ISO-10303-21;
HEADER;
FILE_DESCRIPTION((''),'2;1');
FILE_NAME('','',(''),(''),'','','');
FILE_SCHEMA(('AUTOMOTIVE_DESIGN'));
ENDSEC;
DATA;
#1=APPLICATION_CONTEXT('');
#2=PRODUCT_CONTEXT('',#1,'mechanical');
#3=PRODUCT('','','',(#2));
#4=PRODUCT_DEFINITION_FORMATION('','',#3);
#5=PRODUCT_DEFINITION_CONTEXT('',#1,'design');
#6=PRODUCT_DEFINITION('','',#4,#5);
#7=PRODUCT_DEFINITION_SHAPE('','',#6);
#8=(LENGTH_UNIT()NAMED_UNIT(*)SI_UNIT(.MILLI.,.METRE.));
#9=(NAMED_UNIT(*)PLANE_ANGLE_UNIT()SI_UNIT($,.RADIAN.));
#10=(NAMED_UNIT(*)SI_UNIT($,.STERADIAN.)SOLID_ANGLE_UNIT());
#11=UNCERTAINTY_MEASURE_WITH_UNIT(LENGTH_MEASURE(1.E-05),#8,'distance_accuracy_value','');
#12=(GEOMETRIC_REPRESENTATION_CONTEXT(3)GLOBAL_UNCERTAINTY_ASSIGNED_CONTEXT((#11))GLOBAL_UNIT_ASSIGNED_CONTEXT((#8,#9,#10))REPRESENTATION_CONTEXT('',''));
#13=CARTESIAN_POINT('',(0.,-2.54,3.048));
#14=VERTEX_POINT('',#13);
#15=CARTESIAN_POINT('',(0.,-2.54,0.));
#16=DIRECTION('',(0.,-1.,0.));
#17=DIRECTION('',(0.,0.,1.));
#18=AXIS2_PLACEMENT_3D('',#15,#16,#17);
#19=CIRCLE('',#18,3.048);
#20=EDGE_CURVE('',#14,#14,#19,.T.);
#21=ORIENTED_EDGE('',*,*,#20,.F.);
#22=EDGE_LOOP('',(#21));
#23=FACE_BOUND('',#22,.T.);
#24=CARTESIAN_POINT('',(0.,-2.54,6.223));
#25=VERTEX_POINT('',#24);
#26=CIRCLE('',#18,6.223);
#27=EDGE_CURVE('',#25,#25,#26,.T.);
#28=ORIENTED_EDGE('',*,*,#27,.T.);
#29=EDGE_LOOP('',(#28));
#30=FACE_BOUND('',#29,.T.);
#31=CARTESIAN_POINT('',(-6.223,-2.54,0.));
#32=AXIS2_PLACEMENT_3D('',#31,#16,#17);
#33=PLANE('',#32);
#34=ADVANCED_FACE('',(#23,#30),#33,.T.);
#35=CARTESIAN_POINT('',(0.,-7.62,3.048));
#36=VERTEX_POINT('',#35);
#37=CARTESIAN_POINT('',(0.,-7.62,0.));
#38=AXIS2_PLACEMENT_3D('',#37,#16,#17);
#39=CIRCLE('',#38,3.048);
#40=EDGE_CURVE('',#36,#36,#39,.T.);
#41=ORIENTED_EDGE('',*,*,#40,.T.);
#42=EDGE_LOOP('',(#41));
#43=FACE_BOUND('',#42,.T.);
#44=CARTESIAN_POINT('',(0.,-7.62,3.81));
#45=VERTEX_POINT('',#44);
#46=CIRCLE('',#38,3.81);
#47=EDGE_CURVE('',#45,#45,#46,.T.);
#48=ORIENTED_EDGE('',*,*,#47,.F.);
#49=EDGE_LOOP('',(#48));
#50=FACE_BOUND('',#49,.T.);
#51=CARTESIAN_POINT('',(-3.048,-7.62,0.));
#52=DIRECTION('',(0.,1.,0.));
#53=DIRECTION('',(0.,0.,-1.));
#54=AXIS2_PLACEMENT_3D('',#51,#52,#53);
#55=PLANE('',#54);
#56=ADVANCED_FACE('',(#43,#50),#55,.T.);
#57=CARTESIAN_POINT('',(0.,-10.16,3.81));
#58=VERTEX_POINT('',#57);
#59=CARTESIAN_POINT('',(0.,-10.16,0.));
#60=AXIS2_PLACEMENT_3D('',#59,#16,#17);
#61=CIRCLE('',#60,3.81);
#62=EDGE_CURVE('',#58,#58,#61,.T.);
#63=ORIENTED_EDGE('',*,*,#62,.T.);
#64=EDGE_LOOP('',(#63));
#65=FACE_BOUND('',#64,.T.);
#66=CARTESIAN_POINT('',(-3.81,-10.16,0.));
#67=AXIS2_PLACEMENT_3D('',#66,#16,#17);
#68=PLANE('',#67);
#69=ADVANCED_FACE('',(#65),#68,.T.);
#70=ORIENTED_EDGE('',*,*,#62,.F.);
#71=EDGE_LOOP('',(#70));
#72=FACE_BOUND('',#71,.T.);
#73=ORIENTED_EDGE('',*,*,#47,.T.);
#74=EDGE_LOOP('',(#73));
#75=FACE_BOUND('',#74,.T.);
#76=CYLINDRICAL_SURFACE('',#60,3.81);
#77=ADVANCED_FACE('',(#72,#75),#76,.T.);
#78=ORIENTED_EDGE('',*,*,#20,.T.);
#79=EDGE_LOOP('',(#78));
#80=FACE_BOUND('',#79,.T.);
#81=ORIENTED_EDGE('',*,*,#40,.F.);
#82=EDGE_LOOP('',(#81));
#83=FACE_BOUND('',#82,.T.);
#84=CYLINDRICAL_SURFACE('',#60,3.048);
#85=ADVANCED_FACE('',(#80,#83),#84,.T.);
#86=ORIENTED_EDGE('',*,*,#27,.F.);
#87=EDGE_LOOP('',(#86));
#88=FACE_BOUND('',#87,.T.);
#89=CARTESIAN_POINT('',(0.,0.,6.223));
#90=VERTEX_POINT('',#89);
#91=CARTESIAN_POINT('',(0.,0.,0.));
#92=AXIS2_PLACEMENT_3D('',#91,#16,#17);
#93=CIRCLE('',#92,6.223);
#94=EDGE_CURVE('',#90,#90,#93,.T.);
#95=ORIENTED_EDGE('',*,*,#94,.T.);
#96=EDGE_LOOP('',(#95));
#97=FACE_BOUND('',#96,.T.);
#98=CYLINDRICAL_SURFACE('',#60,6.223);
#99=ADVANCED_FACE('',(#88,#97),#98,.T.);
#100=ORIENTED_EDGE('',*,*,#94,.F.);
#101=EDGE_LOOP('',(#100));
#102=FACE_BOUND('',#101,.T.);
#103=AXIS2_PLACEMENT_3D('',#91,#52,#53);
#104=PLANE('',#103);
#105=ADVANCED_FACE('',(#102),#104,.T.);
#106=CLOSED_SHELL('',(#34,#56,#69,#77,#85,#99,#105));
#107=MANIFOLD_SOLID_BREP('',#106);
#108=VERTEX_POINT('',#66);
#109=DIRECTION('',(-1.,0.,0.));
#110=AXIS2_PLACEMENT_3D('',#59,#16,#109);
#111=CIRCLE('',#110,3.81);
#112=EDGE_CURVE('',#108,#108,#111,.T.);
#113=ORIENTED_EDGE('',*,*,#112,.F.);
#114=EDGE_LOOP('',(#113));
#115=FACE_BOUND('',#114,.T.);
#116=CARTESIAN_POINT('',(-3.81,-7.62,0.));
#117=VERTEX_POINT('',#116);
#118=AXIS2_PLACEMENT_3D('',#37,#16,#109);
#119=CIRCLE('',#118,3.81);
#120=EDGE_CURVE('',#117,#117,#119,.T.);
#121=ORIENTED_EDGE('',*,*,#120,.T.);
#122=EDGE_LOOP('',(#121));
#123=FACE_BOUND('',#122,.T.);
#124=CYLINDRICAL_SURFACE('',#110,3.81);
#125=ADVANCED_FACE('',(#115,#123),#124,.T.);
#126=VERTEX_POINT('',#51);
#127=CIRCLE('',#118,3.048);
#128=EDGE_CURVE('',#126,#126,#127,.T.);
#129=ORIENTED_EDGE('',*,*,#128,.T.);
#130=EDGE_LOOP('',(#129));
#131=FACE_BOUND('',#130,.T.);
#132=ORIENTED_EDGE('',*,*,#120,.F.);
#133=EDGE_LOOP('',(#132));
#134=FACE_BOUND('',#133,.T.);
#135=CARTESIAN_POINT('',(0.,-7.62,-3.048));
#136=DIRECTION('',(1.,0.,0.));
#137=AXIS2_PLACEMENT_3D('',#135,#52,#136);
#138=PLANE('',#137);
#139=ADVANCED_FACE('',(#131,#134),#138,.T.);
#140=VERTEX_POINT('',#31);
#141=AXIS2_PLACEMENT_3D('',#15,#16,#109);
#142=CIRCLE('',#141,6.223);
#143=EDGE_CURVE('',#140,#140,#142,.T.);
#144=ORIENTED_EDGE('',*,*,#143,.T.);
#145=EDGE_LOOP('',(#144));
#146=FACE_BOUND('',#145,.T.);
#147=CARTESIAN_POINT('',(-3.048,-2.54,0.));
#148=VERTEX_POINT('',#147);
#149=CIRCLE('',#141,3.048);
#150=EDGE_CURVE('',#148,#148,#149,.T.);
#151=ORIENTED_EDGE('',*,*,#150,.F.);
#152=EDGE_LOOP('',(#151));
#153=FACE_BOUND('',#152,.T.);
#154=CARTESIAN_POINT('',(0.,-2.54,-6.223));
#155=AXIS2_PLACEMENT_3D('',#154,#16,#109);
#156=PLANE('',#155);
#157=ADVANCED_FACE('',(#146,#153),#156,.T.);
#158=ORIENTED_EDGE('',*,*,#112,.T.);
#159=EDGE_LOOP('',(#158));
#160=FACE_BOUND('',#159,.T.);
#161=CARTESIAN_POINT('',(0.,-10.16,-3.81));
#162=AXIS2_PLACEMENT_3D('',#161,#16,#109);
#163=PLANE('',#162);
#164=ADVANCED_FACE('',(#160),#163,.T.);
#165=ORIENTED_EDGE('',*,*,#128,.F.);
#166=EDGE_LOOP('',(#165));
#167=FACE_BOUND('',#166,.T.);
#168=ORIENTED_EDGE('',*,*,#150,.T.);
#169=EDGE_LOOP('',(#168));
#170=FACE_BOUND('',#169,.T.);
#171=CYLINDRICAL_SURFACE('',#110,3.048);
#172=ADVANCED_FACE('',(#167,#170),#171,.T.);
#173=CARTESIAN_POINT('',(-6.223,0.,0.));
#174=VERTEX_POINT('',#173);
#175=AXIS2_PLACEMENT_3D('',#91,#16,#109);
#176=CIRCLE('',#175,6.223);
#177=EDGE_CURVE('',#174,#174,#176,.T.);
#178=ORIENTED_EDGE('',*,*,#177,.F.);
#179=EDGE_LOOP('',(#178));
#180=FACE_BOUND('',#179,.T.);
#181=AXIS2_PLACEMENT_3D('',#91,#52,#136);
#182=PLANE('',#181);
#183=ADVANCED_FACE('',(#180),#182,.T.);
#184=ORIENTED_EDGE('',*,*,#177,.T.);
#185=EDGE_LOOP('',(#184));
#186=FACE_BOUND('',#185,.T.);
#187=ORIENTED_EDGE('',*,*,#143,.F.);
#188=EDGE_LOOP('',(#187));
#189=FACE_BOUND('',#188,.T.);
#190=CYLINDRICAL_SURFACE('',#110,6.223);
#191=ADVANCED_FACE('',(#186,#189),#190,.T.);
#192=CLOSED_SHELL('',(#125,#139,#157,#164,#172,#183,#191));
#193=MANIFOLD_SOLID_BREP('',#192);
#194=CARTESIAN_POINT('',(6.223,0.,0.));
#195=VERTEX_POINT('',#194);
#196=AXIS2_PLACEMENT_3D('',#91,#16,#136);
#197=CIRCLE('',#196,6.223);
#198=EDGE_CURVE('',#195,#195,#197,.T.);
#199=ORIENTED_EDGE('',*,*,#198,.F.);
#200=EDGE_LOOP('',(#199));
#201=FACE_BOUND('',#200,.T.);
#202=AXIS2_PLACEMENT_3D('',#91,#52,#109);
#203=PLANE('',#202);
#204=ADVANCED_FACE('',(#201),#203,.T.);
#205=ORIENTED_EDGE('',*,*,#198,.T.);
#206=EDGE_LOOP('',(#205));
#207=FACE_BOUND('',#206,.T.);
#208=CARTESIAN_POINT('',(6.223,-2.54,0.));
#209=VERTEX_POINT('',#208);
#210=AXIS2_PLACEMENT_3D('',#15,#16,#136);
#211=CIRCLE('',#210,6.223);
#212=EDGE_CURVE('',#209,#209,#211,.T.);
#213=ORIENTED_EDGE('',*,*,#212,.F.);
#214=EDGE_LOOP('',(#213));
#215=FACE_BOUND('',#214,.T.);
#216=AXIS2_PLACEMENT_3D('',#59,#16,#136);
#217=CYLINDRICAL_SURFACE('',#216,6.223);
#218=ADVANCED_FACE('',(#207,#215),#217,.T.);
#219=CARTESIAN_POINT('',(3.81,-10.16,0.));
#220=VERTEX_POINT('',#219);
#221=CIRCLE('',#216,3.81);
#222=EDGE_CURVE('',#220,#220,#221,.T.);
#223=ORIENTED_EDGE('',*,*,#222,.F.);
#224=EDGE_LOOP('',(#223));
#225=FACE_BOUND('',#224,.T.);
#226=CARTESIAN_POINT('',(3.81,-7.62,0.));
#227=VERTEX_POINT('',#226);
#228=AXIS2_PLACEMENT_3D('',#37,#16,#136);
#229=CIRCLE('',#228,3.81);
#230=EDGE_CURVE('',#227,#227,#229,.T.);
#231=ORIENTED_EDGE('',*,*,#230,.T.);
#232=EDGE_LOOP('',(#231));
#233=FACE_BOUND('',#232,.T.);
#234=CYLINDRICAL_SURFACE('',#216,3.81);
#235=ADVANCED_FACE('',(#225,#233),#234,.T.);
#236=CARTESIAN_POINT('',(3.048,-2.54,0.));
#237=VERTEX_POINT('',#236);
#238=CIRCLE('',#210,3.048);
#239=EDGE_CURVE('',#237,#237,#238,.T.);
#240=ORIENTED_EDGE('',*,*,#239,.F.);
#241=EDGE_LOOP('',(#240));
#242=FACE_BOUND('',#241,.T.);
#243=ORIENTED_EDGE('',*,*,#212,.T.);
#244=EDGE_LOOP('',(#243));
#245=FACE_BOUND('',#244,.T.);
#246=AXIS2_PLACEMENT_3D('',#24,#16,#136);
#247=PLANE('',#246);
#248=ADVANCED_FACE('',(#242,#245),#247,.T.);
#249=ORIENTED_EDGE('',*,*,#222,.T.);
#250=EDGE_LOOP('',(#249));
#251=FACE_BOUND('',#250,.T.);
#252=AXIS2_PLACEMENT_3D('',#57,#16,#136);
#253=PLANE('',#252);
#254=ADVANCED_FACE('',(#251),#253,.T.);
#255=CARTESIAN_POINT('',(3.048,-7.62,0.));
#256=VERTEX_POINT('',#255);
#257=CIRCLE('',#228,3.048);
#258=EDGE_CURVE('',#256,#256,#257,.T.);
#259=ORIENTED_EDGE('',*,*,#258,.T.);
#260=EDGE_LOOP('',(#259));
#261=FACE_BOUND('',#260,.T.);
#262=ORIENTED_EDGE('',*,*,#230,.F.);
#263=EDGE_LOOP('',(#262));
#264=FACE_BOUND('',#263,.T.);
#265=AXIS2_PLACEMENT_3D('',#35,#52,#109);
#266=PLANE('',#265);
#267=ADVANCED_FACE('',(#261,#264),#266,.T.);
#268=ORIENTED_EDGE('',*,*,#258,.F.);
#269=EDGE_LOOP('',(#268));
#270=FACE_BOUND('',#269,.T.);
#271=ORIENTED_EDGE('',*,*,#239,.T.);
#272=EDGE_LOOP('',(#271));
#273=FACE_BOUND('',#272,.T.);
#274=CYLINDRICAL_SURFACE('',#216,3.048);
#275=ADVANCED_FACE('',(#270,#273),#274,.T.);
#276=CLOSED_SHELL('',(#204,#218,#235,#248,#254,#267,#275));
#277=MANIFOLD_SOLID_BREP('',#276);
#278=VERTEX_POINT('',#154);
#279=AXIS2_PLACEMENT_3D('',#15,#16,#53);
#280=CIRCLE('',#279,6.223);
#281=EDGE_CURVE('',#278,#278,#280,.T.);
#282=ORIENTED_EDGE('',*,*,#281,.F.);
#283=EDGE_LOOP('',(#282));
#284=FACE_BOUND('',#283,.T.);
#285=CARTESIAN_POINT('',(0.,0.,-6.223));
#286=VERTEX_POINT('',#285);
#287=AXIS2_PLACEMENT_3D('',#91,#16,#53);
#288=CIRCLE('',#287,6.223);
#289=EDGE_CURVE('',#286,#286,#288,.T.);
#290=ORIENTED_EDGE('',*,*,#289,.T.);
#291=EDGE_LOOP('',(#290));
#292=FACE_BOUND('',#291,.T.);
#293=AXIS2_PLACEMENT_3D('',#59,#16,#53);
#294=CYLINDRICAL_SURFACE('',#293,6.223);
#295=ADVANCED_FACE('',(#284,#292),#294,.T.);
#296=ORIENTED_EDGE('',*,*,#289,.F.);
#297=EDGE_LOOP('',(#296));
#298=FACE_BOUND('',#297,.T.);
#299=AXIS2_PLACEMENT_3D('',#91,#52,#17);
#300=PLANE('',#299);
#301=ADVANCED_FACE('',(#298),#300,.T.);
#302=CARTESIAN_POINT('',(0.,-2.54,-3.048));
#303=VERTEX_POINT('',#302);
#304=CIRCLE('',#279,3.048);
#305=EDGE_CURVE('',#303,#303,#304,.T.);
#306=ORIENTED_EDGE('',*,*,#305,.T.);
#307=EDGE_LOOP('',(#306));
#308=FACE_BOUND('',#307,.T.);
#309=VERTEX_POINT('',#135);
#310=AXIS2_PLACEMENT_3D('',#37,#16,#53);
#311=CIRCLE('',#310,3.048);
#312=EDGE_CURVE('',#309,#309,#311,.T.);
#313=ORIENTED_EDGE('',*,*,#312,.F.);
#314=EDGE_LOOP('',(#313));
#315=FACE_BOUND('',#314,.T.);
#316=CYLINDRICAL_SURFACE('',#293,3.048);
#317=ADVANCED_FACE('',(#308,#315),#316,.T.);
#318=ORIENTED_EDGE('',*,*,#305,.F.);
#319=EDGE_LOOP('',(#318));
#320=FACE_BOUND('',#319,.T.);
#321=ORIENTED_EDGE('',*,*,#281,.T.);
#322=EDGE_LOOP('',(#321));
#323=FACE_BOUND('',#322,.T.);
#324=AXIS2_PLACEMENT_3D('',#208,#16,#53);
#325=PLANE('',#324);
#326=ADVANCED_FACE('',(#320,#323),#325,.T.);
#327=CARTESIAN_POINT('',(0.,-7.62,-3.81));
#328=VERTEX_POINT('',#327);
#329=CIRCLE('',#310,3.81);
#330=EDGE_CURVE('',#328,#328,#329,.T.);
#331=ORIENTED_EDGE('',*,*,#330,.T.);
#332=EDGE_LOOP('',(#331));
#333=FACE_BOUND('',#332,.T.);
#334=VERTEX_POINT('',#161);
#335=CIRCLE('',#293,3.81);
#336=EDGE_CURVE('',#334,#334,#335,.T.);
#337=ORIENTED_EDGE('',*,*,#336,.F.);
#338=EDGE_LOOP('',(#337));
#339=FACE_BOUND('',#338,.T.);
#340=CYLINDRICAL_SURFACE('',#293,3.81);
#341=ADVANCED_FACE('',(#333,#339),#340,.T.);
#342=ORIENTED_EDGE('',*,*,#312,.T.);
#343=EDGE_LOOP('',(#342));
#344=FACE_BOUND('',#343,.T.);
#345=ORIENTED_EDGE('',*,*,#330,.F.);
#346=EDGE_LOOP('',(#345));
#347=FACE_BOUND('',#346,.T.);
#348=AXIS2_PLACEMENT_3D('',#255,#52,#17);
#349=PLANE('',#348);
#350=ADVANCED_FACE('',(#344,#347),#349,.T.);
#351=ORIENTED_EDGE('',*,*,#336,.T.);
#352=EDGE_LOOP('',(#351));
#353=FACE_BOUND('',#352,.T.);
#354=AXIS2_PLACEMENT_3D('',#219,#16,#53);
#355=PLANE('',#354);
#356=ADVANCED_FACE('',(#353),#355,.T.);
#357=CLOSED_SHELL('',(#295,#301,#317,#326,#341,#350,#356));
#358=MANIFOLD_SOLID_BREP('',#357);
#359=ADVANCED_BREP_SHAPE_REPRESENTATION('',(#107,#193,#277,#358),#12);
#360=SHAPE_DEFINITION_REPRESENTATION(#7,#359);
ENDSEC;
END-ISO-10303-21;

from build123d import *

# Parameters (mm, degrees)
MOAR_SPRINGS_COUNT = 4


with BuildPart() as part:
    # Sketch1 → button body (revolve)
    with BuildSketch(Plane.XY):
        Polygon((0, 0), (6.223, 0), (6.223, -2.54), (3.048, -2.54), (3.048, -7.62), (3.81, -7.62), (3.81, -10.16), (0, -10.16), align=None)
    revolve(axis=Axis((0, -10.16, 0), (0, 1, 0)))


with BuildPart() as moar_springs_1:
    # moar springs: pattern copy
    add(part.part.rotate(Axis((0, 0, 0), (0, -1, 0)), 1 * 360 / MOAR_SPRINGS_COUNT))


with BuildPart() as moar_springs_2:
    # moar springs: pattern copy
    add(part.part.rotate(Axis((0, 0, 0), (0, -1, 0)), 2 * 360 / MOAR_SPRINGS_COUNT))


with BuildPart() as moar_springs_3:
    # moar springs: pattern copy
    add(part.part.rotate(Axis((0, 0, 0), (0, -1, 0)), 3 * 360 / MOAR_SPRINGS_COUNT))


solid = Compound([part.part, moar_springs_1.part, moar_springs_2.part, moar_springs_3.part])
